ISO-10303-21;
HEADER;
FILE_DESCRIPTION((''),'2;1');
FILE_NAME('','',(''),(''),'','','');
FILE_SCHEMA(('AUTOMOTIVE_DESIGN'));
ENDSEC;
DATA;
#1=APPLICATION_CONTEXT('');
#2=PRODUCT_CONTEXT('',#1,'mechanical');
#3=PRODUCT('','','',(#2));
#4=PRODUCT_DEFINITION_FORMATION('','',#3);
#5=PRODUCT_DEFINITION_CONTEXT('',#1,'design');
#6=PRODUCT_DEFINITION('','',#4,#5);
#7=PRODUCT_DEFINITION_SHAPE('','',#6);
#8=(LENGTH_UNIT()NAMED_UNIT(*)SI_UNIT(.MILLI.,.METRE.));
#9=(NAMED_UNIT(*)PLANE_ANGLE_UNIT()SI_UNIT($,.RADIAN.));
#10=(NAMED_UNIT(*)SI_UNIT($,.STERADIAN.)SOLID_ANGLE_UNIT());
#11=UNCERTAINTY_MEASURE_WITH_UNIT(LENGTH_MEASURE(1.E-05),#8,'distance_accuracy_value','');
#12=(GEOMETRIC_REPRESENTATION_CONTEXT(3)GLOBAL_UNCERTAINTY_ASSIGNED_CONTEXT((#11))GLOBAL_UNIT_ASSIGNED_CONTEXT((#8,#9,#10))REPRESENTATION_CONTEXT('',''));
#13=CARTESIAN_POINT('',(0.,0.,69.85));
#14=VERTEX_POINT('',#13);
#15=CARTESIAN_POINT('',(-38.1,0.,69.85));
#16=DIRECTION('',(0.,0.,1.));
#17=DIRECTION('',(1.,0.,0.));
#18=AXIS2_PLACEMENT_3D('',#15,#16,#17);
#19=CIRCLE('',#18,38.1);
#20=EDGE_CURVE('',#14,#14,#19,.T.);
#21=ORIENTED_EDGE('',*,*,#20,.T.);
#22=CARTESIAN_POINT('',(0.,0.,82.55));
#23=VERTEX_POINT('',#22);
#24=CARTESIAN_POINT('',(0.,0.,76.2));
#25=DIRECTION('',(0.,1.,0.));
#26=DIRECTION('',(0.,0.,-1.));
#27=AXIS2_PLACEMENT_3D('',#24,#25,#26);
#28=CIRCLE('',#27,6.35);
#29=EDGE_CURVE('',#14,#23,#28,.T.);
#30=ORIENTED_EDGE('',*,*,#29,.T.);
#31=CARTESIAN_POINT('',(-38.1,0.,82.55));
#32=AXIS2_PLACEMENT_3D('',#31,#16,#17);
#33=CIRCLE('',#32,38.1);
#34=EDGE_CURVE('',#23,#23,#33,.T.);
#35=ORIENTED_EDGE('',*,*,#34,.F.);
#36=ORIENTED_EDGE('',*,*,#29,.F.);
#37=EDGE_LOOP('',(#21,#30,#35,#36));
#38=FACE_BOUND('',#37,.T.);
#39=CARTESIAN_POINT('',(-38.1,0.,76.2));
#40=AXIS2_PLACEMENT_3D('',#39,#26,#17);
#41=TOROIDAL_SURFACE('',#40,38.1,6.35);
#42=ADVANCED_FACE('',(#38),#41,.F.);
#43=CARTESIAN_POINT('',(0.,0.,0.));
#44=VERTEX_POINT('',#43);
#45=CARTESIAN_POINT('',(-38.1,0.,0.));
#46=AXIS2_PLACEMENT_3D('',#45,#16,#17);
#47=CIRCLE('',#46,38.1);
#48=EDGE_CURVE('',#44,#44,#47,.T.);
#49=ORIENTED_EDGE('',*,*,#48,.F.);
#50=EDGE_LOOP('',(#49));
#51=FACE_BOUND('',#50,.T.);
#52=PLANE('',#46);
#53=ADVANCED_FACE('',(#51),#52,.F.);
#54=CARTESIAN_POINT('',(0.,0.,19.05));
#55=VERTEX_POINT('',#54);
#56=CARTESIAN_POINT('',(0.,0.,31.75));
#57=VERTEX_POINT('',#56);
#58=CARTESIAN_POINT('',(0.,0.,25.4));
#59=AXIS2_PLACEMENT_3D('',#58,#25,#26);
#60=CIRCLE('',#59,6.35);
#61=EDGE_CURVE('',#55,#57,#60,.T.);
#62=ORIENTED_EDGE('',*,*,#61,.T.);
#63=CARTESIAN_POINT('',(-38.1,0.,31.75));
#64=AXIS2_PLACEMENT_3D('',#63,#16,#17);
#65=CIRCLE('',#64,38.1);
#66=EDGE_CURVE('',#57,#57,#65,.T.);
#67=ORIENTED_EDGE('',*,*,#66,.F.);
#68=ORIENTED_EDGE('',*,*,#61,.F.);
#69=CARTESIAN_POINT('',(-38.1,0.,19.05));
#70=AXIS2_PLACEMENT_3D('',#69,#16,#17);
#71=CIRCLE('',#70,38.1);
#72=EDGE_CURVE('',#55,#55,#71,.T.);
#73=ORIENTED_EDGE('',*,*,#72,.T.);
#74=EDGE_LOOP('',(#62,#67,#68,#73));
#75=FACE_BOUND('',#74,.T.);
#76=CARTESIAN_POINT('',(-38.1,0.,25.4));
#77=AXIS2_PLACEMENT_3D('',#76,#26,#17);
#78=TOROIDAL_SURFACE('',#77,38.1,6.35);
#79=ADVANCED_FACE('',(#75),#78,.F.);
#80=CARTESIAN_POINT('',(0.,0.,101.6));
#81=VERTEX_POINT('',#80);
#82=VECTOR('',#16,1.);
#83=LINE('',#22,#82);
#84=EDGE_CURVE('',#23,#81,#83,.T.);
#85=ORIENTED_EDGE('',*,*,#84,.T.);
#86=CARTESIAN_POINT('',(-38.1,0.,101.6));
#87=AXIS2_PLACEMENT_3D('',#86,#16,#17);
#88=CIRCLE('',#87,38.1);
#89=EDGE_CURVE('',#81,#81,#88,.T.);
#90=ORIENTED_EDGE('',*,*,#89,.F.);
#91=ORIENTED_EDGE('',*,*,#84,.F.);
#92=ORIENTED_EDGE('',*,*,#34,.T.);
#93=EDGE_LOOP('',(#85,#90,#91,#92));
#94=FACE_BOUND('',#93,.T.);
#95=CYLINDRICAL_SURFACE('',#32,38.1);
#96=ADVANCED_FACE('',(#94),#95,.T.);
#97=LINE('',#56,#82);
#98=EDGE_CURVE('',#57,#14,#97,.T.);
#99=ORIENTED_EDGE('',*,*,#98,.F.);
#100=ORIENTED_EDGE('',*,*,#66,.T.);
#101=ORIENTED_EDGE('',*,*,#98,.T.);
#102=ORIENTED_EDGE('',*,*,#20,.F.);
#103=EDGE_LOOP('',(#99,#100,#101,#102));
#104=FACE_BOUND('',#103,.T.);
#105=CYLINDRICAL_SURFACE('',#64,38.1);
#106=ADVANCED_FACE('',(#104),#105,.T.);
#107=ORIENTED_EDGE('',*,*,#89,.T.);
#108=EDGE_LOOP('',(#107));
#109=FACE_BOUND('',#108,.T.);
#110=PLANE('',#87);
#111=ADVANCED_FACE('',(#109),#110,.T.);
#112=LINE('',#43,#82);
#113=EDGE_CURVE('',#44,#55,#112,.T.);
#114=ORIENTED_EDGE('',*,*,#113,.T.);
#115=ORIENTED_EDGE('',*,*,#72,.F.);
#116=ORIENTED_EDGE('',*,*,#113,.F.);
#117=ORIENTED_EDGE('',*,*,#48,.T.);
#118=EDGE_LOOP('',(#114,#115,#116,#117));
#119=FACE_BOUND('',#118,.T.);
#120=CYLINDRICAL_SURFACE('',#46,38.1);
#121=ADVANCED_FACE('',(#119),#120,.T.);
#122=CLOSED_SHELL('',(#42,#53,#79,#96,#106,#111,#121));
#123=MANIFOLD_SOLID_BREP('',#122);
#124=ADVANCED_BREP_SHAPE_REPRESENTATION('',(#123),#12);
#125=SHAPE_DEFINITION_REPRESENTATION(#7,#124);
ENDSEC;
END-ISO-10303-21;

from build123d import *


with BuildPart() as f1:
    # F0 (on Front) → F1 (revolve)
    with BuildSketch(Plane.XZ):
        with BuildLine():
            Line((-38.1, 0), (0, 0))
            Line((0, 0), (0, 19.05))
            ThreePointArc((0, 19.05), (-6.35, 25.4), (0, 31.75))
            Line((0, 31.75), (0, 69.85))
            ThreePointArc((0, 69.85), (-6.35, 76.2), (0, 82.55))
            Line((0, 82.55), (0, 101.6))
            Line((0, 101.6), (-38.1, 101.6))
            Line((-38.1, 101.6), (-38.1, 0))
        make_face()
    revolve(axis=Axis((-38.1, 0, 50.8), (0, 0, 1)))


solid = f1.part
